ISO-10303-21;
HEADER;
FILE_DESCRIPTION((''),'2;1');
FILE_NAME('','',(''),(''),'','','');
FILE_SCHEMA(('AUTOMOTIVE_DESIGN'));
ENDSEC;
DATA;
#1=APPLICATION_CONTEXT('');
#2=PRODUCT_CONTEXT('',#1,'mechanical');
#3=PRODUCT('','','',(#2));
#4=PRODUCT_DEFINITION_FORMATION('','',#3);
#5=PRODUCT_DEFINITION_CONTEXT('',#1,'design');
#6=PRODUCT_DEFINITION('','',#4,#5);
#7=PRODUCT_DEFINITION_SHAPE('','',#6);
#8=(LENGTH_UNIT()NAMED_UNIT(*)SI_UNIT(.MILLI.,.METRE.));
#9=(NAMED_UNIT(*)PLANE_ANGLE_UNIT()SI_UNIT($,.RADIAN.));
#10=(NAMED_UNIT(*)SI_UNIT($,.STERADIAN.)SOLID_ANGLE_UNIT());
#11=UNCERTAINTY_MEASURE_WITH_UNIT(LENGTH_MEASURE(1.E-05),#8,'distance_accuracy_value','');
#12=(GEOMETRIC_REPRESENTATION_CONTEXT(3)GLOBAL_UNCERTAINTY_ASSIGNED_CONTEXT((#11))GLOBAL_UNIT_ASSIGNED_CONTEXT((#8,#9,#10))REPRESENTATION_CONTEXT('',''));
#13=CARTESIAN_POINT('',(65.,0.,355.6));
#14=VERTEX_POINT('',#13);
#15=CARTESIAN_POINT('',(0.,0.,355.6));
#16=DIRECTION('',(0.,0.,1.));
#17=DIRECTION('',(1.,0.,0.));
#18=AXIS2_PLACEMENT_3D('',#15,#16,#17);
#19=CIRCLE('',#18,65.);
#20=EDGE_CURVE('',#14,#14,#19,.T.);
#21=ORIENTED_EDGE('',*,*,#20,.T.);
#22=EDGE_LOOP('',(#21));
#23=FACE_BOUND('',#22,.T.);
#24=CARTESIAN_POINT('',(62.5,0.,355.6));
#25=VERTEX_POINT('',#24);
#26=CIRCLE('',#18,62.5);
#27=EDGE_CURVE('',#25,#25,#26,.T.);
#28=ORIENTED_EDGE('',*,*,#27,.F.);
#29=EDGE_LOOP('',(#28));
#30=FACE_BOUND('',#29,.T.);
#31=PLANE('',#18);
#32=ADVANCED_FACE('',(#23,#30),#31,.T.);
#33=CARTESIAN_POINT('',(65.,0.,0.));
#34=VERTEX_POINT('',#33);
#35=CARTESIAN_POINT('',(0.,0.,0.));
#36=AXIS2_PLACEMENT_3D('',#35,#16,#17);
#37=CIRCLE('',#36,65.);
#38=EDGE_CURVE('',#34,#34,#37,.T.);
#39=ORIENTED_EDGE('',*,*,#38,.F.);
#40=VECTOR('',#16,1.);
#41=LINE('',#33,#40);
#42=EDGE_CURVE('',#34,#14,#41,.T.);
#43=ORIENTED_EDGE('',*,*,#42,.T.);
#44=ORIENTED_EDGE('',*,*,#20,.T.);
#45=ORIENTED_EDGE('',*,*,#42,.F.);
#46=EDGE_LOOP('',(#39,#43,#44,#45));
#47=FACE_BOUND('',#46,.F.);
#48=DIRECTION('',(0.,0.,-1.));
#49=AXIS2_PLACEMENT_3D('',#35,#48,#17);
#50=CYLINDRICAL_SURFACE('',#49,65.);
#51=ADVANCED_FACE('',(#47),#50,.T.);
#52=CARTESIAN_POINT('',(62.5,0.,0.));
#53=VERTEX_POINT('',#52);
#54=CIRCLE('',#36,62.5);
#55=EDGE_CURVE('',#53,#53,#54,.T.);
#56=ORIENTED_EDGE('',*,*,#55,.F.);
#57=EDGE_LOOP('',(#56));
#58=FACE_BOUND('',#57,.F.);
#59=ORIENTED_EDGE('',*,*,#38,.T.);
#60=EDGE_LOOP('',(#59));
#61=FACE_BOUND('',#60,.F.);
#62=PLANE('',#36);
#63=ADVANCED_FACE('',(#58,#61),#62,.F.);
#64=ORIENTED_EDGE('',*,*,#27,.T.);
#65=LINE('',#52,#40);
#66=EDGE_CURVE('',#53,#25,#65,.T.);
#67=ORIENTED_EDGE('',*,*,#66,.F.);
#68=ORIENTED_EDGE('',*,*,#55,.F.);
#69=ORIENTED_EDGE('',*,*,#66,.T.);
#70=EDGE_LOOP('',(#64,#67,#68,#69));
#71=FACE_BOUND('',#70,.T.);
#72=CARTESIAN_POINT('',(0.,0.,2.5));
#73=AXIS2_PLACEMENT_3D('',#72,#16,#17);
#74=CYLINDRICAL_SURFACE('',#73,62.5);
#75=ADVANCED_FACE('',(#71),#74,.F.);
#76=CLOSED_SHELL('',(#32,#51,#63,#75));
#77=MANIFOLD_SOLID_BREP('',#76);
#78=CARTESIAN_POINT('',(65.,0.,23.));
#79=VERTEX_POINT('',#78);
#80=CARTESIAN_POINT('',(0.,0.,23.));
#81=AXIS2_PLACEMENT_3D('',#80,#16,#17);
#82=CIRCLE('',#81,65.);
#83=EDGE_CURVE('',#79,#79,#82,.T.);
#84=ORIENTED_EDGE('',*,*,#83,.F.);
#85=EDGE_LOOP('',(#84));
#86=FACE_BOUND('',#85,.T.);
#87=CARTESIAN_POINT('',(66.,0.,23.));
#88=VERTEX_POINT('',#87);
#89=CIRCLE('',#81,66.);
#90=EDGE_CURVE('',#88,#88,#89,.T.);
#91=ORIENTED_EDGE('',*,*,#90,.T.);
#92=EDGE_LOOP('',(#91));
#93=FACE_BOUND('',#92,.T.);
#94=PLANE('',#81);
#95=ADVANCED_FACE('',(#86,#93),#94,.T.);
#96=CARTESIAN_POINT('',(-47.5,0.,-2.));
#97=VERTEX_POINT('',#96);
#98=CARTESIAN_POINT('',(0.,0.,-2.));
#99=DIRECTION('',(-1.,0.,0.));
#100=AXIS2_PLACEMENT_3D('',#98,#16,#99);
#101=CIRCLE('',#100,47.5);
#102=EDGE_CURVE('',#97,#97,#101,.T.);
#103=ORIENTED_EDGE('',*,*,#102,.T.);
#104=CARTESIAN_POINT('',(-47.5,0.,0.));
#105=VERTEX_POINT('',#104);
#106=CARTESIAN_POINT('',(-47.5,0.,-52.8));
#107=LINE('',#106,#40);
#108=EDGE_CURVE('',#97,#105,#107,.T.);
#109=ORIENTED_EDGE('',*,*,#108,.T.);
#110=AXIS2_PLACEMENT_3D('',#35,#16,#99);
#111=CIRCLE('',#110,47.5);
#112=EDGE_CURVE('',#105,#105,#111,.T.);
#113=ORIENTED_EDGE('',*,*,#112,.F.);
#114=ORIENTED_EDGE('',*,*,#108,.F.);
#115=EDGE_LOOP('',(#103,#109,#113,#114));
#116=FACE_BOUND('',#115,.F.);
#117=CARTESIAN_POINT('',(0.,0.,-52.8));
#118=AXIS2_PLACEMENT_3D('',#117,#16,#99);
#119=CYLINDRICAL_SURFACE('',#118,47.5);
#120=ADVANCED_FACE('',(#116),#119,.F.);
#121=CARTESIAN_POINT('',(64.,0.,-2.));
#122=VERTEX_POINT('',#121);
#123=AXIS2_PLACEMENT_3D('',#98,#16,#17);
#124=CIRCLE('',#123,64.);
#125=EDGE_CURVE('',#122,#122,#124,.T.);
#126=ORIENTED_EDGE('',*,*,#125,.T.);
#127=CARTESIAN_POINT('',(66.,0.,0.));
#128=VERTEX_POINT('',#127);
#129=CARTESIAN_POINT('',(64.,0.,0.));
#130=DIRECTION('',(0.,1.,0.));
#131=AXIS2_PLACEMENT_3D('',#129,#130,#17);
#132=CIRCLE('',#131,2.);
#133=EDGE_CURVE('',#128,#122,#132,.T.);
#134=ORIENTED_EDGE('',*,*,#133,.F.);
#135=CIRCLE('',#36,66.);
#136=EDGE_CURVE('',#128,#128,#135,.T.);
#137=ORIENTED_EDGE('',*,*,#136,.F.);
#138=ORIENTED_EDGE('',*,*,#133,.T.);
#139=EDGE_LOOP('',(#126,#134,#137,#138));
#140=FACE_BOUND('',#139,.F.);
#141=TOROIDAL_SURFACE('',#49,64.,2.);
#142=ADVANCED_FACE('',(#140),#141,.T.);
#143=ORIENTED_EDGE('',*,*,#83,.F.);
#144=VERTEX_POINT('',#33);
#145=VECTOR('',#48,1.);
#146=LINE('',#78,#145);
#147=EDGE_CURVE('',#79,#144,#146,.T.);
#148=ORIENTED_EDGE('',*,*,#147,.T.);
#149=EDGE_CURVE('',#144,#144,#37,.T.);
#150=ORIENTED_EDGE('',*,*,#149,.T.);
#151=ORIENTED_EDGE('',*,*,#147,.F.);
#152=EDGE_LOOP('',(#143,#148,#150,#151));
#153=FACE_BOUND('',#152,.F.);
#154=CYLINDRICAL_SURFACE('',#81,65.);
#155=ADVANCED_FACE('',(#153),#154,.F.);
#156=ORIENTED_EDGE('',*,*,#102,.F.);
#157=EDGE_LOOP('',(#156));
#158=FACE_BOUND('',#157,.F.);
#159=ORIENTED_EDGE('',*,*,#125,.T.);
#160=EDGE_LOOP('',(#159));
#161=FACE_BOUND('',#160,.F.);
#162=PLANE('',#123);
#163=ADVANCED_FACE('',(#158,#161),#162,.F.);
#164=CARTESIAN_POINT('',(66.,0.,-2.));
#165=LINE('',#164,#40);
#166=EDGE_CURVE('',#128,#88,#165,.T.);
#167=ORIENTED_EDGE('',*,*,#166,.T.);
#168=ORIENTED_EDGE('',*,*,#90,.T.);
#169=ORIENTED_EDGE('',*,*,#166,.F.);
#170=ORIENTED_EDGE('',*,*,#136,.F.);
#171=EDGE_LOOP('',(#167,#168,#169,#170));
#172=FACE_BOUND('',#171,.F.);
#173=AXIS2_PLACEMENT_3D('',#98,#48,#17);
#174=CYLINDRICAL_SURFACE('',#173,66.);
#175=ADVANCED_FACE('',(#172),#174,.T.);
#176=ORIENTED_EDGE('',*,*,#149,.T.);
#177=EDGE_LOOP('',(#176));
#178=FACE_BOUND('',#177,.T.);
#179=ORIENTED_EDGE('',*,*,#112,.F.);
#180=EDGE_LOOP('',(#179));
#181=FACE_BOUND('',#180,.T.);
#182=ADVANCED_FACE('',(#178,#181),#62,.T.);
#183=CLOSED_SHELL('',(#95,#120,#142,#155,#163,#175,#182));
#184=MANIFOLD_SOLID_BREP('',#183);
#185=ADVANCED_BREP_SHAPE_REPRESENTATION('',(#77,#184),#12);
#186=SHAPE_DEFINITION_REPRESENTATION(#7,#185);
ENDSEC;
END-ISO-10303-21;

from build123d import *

# Parameters (mm, degrees)
F0_R      = 65
F1_DEPTH  = 355.6
F2_T      = -2.5
F3_DEPTH  = 25
F5_R      = 66
F6_DEPTH  = 25
F7_R      = 65
F8_DEPTH  = 23
F9_R      = 2
F11_D     = 95
F11_DEPTH = 50.8
F11_TIP   = 28.5408794038


with BuildPart() as f1:
    # F0 (on Top) → F1 (new body)
    with BuildSketch(Plane.XY):
        Circle(F0_R)
    extrude(amount=F1_DEPTH)

    # F2
    f2_openings = [f1.faces().sort_by_distance(p)[0] for p in [
        (0, 0, 355.6),
    ]]
    offset(amount=F2_T, openings=f2_openings)

    # F3 (cut): a face of the model
    f3_faces = [f1.faces().sort_by_distance(p)[0] for p in [
        (0, 0, 2.5),
    ]]
    extrude(f3_faces, amount=-F3_DEPTH, mode=Mode.SUBTRACT)


with BuildPart() as f6:
    # F5 (on offset) → F6 (new body)
    with BuildSketch(Plane.XY.offset(-2)):
        Circle(F5_R)
    extrude(amount=F6_DEPTH)

    # F7 (on face) → F8 (cut)
    with BuildSketch(Plane.XY.offset(23)):
        Circle(F7_R)
    extrude(amount=-F8_DEPTH, mode=Mode.SUBTRACT)

    # F9
    f9_edges = [f6.edges().sort_by_distance(p)[0] for p in [
        (-66, 0, -2),
    ]]
    fillet(f9_edges, radius=F9_R)

    # F11
    with Locations(Plane(origin=(0, 0, -2), x_dir=(1, 0, 0), z_dir=(0, 0, -1))):
        with Locations((0, 0)):
            Hole(F11_D / 2, depth=F11_DEPTH)
            with Locations((0, 0, -(F11_DEPTH + F11_TIP / 2))):  # 118° drill point
                Cone(0, F11_D / 2, F11_TIP, mode=Mode.SUBTRACT)


solid = Compound([f1.part, f6.part])
